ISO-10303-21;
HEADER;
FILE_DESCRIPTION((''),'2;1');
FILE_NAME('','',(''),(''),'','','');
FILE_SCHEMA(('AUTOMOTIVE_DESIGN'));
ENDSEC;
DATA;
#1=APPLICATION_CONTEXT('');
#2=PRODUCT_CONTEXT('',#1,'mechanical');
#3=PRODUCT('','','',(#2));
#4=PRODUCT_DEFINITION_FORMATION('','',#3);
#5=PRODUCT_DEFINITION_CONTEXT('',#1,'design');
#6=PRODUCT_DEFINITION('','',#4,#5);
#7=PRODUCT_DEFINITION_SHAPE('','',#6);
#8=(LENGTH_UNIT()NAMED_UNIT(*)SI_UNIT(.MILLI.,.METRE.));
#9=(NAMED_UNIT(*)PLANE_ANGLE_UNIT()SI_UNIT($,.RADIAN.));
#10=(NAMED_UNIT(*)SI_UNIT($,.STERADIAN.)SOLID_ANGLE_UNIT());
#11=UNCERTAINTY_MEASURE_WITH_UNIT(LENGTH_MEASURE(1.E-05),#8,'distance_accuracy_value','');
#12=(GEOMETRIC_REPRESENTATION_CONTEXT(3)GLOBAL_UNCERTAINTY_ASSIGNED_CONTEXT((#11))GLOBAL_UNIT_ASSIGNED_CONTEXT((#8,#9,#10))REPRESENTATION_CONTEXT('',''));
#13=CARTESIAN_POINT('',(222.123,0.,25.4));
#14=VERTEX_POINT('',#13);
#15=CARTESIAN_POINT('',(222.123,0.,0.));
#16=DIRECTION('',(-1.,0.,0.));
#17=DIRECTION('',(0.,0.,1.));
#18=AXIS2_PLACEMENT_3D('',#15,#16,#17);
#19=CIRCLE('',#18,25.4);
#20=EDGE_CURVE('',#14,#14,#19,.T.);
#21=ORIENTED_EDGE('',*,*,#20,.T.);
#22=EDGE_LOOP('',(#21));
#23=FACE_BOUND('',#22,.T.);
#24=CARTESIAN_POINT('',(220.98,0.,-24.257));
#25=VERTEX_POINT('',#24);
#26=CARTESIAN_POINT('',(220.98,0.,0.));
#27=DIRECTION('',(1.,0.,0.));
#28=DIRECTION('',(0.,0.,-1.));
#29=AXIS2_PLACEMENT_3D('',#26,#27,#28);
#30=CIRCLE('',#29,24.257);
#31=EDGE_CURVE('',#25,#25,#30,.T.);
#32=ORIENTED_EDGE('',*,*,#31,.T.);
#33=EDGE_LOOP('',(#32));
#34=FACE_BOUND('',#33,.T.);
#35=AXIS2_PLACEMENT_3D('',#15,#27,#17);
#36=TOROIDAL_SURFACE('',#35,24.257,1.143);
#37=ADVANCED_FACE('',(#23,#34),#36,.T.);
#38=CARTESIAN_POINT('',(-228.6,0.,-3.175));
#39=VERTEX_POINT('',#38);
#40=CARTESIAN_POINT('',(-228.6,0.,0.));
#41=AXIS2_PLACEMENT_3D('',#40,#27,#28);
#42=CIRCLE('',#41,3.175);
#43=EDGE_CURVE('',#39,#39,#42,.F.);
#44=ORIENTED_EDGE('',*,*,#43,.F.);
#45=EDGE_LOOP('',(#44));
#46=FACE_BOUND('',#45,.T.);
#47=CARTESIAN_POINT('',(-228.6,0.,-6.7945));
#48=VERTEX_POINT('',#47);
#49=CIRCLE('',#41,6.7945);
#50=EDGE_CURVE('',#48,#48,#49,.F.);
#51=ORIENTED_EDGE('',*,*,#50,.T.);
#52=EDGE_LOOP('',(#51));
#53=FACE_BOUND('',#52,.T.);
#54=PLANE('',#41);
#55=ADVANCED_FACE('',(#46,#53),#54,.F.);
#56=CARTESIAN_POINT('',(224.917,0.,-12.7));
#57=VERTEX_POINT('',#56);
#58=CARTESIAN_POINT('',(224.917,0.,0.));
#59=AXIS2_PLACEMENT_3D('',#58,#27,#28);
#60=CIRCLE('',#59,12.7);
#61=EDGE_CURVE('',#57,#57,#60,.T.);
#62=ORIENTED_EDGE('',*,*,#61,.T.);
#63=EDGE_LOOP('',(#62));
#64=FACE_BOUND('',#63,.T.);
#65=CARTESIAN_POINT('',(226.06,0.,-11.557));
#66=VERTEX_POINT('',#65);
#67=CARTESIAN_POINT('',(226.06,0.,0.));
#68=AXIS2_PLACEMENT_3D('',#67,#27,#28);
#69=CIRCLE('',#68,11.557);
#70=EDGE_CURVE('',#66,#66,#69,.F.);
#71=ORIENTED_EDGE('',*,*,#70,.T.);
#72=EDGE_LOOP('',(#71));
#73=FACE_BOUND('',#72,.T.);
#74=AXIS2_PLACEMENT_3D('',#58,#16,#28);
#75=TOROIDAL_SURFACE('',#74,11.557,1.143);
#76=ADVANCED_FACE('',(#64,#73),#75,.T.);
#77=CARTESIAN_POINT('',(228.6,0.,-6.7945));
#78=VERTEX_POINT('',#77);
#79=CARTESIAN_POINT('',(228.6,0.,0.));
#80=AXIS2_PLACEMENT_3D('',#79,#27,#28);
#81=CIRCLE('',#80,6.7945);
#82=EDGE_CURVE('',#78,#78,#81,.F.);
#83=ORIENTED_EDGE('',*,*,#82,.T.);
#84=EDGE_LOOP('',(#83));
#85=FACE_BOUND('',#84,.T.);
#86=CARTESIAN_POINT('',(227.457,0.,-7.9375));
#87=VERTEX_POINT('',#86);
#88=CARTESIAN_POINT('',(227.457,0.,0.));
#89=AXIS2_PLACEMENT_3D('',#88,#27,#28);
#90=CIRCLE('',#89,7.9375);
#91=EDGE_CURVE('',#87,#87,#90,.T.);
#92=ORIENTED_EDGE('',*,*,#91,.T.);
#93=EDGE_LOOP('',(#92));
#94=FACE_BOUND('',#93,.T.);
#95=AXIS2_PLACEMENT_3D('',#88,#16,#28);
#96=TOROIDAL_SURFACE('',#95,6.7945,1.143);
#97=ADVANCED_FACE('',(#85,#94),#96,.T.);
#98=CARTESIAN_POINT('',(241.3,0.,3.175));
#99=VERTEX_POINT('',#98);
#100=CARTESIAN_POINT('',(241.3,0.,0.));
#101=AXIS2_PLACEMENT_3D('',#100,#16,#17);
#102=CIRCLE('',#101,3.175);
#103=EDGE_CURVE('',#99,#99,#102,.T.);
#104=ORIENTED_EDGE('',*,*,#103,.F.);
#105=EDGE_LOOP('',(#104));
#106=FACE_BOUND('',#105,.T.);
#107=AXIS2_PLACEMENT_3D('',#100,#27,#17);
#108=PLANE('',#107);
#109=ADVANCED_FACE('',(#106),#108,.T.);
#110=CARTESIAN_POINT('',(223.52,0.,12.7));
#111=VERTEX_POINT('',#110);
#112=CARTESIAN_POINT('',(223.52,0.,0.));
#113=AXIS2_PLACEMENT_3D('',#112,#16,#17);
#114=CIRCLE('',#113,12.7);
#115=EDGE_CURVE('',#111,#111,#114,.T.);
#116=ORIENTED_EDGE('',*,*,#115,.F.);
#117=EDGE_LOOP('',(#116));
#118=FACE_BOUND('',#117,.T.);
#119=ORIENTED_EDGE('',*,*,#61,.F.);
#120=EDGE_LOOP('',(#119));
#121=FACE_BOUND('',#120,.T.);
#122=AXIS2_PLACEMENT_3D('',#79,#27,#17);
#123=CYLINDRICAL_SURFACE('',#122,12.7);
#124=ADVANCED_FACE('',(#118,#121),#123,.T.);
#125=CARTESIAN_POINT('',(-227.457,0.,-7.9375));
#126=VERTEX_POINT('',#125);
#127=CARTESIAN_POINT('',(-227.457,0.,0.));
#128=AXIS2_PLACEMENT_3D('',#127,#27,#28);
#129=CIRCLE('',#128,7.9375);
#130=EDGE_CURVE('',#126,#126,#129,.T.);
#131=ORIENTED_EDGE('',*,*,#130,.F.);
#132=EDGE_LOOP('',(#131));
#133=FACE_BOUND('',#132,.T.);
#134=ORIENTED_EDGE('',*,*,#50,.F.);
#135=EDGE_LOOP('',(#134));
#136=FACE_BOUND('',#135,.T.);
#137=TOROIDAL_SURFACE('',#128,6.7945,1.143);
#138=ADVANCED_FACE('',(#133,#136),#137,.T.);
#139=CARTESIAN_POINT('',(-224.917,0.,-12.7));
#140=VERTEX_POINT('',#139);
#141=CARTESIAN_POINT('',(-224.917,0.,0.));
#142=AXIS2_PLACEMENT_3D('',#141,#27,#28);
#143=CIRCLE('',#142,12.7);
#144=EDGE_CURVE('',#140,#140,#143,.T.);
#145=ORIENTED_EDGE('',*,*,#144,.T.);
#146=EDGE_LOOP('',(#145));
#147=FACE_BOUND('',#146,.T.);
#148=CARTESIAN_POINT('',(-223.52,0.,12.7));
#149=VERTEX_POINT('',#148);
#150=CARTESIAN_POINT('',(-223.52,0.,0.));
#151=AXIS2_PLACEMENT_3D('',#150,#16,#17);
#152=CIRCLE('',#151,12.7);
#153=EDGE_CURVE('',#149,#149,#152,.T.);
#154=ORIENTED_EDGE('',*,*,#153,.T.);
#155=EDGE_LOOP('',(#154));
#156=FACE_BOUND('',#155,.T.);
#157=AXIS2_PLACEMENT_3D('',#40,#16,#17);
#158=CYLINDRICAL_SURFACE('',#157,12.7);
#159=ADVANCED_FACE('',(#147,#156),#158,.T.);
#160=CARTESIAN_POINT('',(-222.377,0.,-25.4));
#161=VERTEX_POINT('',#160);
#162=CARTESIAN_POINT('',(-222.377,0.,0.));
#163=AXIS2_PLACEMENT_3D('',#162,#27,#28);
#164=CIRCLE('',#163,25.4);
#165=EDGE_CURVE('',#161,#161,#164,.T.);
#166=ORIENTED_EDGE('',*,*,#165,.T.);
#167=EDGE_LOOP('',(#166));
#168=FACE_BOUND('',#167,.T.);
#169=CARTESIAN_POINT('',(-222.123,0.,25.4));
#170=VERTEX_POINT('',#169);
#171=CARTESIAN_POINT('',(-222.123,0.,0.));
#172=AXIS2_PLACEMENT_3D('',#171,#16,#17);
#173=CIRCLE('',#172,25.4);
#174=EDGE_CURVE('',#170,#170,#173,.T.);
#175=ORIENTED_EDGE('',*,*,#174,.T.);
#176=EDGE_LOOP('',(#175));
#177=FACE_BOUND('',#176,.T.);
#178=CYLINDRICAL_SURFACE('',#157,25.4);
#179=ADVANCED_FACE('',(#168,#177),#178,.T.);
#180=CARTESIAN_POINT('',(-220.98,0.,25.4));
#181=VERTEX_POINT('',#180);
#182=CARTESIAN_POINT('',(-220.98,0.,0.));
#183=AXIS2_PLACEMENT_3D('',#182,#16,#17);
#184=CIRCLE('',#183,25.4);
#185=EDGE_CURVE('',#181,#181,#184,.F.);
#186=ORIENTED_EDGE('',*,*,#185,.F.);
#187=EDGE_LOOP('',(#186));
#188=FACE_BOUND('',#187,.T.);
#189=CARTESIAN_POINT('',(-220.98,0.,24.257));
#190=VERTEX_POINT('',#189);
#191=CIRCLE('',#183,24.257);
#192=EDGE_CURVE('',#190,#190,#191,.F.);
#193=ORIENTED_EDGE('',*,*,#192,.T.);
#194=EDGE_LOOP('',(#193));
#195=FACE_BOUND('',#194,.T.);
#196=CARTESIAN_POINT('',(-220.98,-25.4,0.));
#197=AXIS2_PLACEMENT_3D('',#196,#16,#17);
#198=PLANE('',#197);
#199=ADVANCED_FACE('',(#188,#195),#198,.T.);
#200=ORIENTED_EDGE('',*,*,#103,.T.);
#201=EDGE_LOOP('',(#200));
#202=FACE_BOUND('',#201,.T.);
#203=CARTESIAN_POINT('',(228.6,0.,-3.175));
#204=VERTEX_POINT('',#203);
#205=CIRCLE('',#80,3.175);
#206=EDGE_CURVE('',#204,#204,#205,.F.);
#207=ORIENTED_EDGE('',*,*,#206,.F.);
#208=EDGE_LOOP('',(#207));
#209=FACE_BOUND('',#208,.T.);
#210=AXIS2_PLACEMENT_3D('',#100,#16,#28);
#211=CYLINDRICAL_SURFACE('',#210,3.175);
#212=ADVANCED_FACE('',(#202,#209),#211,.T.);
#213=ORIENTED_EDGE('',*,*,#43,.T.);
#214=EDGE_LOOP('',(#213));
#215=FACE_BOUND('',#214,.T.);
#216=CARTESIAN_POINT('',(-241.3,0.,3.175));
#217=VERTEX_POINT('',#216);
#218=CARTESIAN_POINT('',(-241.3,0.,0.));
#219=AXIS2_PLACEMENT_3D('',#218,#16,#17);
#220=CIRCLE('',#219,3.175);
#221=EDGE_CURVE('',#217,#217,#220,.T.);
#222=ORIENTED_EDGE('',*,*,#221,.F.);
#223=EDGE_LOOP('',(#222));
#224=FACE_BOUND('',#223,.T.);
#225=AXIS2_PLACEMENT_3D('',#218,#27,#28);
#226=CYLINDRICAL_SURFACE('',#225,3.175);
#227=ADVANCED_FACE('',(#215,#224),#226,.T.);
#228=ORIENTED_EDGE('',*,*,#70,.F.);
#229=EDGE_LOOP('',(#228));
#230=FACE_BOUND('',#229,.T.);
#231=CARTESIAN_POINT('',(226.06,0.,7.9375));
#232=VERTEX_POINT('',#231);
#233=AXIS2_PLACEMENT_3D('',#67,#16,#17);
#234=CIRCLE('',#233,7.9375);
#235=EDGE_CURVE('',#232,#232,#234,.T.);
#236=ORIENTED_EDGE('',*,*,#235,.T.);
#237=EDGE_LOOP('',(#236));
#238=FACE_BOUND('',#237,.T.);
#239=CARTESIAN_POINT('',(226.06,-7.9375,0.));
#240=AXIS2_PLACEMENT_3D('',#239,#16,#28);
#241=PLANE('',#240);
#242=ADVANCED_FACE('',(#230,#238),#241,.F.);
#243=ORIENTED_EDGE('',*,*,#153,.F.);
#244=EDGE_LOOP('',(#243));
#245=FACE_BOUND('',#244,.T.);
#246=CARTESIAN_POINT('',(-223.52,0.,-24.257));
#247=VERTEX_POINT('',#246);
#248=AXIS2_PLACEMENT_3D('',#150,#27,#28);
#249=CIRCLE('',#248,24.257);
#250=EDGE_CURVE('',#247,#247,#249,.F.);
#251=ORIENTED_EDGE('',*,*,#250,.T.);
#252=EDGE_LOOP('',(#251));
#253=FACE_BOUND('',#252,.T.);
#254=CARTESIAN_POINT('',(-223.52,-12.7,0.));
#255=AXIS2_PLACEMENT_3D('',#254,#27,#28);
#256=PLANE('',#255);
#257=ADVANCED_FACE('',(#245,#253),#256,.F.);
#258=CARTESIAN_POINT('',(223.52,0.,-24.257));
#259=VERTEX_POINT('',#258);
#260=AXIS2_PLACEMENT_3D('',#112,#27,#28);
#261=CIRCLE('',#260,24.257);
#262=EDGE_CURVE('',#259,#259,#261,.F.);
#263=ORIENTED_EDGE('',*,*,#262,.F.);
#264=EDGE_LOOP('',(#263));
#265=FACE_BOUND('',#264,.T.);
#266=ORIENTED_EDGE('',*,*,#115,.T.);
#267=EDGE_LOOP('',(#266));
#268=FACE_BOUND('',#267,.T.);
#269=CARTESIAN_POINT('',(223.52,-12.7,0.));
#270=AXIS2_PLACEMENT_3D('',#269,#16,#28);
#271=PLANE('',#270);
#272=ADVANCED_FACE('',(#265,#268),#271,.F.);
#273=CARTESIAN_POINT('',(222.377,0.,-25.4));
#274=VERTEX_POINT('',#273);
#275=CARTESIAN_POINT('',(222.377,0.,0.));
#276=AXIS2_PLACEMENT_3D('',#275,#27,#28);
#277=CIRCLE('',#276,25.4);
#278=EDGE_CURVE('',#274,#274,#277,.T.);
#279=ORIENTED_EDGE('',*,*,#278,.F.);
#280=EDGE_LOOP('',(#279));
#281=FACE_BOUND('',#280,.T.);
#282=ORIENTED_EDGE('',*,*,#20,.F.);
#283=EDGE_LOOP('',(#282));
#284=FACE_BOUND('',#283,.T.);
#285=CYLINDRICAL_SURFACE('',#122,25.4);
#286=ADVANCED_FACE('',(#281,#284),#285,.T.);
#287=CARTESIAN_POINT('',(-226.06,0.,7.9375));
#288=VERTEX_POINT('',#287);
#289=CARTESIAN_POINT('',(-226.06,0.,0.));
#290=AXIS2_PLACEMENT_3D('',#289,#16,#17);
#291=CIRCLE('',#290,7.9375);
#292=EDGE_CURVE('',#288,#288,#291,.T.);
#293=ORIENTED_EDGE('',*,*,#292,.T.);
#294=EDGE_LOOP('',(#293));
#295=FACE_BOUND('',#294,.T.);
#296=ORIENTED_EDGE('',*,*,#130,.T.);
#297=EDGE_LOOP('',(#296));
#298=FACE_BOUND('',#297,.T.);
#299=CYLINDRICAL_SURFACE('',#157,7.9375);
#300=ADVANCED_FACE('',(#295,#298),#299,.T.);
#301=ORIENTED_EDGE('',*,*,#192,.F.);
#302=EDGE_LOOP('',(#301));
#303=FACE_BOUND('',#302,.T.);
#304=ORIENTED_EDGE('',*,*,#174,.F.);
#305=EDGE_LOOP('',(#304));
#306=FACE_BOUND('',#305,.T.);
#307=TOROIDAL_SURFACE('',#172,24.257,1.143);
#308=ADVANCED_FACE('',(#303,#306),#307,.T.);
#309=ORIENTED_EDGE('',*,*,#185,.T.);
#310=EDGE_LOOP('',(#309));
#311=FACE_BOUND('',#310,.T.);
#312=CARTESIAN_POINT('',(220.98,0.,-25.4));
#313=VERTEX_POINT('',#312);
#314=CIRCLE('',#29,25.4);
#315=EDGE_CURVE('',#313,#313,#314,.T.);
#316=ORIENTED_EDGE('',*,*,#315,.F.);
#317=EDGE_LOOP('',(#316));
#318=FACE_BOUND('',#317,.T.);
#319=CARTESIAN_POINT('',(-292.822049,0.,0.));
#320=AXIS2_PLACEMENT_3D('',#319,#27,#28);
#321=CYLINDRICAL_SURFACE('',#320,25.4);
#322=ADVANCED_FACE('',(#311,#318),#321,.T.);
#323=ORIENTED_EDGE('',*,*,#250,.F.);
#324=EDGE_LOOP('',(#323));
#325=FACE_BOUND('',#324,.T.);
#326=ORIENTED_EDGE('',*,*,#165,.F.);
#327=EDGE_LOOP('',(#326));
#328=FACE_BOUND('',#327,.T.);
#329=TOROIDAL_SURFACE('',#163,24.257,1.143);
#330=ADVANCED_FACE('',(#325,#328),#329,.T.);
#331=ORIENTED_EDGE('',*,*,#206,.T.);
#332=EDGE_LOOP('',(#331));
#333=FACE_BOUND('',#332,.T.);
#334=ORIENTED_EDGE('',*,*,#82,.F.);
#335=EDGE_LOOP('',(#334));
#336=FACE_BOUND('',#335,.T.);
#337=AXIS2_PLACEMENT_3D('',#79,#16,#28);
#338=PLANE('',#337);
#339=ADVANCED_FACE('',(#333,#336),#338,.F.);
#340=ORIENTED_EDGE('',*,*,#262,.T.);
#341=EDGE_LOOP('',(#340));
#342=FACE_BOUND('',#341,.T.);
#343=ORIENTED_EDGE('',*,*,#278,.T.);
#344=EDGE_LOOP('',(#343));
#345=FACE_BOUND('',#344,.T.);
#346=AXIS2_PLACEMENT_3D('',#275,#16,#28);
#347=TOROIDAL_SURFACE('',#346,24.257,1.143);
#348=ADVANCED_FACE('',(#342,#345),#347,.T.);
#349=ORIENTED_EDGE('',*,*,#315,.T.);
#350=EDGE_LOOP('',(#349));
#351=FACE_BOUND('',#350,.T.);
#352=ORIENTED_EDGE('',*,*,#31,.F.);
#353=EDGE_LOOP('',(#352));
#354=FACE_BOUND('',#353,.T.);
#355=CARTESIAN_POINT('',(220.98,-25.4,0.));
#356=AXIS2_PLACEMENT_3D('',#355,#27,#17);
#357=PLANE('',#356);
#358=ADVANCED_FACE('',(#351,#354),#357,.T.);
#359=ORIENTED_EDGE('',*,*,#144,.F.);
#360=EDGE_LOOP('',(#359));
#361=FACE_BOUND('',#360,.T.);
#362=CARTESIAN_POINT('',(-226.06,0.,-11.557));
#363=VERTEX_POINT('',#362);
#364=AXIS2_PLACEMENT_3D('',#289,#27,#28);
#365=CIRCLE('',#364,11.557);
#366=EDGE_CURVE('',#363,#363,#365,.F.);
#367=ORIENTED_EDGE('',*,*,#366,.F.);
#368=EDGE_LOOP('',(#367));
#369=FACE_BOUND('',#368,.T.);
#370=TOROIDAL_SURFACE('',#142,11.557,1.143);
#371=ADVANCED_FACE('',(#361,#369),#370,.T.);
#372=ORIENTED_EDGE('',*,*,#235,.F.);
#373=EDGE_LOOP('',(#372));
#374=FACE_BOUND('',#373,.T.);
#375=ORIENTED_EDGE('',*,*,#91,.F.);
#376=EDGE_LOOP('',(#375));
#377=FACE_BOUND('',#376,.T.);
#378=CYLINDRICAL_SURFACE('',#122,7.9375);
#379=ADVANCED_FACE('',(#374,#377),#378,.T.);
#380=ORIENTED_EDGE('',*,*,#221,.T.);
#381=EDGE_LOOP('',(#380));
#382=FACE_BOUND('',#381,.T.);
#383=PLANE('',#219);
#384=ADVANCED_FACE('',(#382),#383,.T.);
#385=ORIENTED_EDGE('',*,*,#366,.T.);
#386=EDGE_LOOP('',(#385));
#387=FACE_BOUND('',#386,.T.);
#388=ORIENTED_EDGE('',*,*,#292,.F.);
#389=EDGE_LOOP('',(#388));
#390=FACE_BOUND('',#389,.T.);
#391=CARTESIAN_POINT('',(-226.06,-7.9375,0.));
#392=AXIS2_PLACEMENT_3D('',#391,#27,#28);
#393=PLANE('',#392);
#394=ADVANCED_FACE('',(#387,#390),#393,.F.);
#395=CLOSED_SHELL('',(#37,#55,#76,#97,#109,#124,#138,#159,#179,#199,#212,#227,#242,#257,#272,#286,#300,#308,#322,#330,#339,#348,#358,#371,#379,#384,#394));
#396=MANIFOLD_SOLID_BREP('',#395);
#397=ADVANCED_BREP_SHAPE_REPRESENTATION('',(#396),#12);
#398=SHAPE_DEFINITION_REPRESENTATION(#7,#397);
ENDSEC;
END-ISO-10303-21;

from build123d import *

# Parameters (mm, degrees)
REVOLVE1_ANGLE      = 360
FILLET1_R           = 1.143
SKETCH2_R           = 3.175
BOSS_EXTRUDE1_DEPTH = 12.7
BOSS_EXTRUDE2_START = -220.98
SKETCH3_R           = 25.4
BOSS_EXTRUDE2_DEPTH = 441.96


with BuildPart() as part:
    # Sketch1 → Revolve1 (revolve, symmetric)
    with BuildSketch(Plane.XY) as revolve1_sk:
        Polygon((-228.6, 0), (-228.6, 7.9375), (-226.06, 7.9375), (-226.06, 12.7), (-223.52, 12.7), (-223.52, 25.4), (-220.98, 25.4), (-220.98, 0), align=None)
    revolve(axis=Axis((-228.6, 0, 0), (1, 0, 0)), revolution_arc=REVOLVE1_ANGLE / 2)
    revolve(revolve1_sk.sketch, axis=Axis((-228.6, 0, 0), (-1, 0, 0)), revolution_arc=REVOLVE1_ANGLE / 2)

    # Fillet1
    fillet1_edges = [part.edges().sort_by_distance(p)[0] for p in [
        (-220.98, 0, 25.4),
        (-223.52, 0, 25.4),
        (-226.06, 0, 12.7),
        (-228.6, 0, 7.9375),
    ]]
    fillet(fillet1_edges, radius=FILLET1_R)

    # Sketch2 → Boss-Extrude1 (add)
    with BuildSketch(Plane.ZY.offset(228.6)):
        Circle(SKETCH2_R)
    extrude(amount=BOSS_EXTRUDE1_DEPTH)


with BuildPart() as body_2:
    # Mirror2: mirrored copy
    add(part.part.mirror(Plane(origin=(0, 0, 0), x_dir=(0, 0, 1), z_dir=(1, 0, 0))))


with BuildPart() as part_1:
    add(part.part)

    add(body_2.part)  # Boss-Extrude2 merges body 2
    # Sketch3 → Boss-Extrude2 (add)
    with BuildSketch(Plane(origin=(0, 0, 0), x_dir=(0, 0, -1), z_dir=(1, 0, 0)).offset(BOSS_EXTRUDE2_START)):
        Circle(SKETCH3_R)
    extrude(amount=BOSS_EXTRUDE2_DEPTH)


solid = part_1.part
